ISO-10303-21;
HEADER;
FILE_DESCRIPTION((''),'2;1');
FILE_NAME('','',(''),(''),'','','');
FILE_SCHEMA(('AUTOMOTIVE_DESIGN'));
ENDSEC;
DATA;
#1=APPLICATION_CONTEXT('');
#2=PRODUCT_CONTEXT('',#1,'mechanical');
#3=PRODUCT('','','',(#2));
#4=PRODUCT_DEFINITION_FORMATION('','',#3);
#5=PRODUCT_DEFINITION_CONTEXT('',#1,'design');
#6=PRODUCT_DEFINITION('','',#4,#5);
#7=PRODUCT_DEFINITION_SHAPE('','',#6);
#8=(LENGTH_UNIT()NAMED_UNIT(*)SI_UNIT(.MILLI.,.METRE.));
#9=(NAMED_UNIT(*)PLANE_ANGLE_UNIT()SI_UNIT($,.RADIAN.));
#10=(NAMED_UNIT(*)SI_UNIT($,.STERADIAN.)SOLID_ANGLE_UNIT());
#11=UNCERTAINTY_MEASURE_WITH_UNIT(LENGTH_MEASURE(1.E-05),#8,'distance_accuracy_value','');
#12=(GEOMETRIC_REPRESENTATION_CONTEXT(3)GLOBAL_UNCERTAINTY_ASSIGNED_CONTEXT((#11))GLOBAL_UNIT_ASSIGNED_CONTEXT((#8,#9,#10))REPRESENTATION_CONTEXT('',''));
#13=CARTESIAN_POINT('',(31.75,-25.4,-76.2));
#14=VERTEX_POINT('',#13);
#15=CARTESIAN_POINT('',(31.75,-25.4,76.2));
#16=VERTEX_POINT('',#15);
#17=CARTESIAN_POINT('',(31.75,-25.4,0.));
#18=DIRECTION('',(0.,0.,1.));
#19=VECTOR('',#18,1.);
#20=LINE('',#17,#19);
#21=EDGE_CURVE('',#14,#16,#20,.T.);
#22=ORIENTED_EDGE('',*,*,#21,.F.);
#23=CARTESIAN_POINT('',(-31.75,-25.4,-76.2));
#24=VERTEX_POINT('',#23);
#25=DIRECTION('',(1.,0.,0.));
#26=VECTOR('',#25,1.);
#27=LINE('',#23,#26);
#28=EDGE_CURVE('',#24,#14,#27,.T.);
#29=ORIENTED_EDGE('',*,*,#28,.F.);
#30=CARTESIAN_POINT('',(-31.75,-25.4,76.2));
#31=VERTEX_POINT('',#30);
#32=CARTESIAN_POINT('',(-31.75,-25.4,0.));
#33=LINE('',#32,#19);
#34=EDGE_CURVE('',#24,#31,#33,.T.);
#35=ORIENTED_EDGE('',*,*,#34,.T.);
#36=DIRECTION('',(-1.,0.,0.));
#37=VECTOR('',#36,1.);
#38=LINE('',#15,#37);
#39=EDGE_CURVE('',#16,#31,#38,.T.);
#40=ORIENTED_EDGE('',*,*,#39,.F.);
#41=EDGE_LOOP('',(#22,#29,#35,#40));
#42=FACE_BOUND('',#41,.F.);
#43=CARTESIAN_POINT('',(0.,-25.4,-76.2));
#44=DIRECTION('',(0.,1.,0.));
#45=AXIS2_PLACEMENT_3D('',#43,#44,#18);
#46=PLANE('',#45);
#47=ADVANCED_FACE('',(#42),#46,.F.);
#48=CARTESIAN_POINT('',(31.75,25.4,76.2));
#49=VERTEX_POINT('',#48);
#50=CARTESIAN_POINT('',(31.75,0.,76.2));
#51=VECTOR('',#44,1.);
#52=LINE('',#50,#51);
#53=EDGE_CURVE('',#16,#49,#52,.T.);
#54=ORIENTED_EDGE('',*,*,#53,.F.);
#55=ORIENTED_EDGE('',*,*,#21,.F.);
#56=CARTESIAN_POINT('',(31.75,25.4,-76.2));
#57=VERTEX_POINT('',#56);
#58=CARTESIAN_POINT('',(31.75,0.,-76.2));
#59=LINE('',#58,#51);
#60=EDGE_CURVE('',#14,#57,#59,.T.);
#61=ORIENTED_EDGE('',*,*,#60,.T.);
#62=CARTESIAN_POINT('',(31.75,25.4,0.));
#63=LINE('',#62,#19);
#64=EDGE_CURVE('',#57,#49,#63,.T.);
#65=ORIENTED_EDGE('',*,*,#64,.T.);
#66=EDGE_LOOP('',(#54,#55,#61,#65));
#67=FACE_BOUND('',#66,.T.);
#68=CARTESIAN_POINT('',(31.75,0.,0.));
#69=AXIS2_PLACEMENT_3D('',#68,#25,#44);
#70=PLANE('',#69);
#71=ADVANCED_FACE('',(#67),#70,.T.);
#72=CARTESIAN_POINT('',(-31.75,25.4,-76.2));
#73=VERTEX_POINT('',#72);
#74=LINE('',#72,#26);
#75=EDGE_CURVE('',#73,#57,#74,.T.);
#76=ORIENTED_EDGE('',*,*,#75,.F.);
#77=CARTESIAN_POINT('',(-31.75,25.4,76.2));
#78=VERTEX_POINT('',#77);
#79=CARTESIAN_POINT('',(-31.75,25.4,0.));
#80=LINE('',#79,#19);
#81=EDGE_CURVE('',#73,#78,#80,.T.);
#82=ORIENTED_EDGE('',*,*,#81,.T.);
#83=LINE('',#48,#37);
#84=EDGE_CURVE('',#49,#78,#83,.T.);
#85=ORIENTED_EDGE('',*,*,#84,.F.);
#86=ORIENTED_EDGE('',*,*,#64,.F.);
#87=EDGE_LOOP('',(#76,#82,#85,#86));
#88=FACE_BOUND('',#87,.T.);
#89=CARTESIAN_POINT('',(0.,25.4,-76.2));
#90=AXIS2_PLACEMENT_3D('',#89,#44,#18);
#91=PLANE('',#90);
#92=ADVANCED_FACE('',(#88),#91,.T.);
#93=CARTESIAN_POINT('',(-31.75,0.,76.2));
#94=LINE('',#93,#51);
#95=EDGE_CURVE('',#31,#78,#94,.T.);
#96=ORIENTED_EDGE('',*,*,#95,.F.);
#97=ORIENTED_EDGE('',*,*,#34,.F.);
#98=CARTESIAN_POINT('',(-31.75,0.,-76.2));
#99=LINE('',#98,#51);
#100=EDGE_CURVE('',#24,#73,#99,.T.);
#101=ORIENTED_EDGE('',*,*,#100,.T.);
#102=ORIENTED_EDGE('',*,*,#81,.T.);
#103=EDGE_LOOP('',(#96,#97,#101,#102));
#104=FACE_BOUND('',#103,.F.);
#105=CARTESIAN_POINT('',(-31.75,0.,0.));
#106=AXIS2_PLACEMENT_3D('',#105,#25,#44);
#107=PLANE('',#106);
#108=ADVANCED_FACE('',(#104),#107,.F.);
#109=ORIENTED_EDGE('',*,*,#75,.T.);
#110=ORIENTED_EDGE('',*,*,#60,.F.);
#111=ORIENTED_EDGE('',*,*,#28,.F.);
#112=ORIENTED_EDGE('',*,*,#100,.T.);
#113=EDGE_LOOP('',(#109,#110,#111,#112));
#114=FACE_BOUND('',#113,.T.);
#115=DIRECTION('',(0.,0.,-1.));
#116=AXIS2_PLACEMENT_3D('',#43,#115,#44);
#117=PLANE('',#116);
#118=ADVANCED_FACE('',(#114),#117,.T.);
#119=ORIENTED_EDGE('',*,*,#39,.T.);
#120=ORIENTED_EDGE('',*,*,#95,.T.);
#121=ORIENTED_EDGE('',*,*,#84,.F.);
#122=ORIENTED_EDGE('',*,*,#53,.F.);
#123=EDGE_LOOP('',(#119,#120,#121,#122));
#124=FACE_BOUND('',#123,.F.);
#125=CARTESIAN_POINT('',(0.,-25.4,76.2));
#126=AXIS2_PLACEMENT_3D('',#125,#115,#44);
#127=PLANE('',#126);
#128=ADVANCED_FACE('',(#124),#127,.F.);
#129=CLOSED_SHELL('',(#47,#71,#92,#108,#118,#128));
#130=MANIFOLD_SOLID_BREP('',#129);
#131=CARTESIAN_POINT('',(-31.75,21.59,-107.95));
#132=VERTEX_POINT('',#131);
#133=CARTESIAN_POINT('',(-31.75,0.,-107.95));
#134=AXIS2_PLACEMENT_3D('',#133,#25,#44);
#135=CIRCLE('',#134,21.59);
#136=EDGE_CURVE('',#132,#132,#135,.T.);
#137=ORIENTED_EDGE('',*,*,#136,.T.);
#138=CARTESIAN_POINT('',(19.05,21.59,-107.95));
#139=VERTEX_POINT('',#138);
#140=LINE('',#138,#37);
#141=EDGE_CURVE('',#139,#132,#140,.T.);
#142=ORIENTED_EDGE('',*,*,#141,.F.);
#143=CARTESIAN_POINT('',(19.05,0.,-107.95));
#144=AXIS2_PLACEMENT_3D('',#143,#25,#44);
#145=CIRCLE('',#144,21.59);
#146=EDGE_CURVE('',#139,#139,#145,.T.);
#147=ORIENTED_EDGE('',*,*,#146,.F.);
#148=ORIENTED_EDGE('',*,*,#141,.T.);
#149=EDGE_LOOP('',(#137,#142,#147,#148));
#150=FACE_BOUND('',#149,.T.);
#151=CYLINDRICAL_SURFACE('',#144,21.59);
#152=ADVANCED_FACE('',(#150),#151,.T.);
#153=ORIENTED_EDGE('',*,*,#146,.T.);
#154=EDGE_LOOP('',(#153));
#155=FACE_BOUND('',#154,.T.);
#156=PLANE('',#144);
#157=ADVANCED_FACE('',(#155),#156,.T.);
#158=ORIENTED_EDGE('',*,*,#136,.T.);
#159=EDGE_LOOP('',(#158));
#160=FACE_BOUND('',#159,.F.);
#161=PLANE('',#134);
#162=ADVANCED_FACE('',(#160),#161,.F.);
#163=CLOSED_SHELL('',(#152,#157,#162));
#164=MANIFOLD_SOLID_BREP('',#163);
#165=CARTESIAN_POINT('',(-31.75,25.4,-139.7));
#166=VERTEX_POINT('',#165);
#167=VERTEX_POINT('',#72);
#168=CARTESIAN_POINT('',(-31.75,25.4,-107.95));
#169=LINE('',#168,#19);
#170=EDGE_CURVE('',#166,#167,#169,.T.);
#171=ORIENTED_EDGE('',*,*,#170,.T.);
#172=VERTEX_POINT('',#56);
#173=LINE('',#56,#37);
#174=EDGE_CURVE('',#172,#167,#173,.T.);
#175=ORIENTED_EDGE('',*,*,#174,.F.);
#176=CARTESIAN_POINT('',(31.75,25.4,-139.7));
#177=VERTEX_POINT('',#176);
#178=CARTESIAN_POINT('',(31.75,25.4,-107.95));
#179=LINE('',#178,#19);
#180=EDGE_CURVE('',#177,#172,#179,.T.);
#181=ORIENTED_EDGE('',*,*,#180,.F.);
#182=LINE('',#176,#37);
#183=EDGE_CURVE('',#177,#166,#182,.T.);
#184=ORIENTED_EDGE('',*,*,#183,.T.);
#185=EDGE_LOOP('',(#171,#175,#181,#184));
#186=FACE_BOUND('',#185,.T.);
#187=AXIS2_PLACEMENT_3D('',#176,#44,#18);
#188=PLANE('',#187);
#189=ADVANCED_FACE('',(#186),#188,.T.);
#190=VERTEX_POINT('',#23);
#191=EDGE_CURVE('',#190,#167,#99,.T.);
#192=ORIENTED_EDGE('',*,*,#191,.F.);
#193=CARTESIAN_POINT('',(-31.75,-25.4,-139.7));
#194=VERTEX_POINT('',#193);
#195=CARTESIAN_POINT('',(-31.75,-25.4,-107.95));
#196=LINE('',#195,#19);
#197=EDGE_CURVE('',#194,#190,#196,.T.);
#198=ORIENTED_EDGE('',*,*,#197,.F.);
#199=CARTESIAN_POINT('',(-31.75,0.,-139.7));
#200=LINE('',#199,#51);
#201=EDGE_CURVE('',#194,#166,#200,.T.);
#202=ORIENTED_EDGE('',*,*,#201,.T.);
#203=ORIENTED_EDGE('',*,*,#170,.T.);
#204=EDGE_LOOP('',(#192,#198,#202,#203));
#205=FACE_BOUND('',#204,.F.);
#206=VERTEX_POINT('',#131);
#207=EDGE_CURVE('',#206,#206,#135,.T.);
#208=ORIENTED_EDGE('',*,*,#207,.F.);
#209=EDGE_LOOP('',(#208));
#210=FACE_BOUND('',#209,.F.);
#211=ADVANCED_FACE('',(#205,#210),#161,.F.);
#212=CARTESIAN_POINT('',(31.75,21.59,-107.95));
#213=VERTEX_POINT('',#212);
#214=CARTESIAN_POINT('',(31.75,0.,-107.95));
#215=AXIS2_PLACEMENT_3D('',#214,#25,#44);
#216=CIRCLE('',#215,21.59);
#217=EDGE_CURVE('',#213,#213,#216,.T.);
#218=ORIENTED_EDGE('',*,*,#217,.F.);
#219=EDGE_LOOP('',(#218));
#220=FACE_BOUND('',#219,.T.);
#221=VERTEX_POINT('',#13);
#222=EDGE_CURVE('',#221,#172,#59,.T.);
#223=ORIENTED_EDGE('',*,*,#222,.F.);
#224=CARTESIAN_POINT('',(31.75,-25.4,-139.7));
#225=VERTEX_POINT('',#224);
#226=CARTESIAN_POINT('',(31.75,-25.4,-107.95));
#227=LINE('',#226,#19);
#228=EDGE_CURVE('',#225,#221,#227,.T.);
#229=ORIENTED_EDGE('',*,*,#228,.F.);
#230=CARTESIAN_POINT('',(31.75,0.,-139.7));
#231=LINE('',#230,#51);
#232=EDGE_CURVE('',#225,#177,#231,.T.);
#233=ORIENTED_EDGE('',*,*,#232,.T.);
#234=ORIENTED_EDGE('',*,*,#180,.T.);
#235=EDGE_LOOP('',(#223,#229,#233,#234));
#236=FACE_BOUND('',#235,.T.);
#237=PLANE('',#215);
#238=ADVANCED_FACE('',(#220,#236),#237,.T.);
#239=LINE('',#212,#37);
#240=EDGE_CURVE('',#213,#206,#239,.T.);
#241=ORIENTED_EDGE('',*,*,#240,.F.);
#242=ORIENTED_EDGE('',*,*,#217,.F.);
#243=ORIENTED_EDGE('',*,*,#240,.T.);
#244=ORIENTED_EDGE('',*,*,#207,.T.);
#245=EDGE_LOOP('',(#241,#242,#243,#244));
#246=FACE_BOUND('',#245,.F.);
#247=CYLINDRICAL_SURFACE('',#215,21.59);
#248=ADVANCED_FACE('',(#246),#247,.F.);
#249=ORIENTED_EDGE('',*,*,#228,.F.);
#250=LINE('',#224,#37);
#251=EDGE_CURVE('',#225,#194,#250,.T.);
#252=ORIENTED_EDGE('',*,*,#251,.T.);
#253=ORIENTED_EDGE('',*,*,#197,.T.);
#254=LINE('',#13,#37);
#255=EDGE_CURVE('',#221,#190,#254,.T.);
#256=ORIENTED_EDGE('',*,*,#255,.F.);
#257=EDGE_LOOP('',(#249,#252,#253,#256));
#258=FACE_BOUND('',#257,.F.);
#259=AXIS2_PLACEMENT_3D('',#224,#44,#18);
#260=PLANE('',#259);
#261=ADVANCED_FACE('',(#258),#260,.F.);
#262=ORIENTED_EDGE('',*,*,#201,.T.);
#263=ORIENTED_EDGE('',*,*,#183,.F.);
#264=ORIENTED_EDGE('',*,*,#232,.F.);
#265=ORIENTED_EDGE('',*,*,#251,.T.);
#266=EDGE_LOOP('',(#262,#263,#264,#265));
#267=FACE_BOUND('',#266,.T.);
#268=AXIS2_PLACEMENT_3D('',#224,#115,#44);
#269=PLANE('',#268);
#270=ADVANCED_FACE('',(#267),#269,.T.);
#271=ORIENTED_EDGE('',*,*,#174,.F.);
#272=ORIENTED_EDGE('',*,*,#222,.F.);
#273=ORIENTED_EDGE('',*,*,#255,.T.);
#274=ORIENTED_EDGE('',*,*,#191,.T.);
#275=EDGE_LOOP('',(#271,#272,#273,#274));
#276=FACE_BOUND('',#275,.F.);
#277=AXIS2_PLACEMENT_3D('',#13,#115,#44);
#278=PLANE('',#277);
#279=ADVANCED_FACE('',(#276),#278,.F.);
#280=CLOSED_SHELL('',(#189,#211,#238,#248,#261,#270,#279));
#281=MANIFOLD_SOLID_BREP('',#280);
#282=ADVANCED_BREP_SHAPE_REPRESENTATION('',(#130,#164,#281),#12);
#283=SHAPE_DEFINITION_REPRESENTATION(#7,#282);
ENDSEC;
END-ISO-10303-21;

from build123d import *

# Parameters (mm, degrees)
F0_W     = 50.8
F0_H     = 152.4
F1_DEPTH = 31.75
F2_W     = 50.8
F2_H     = 63.5
F2_R     = 21.59
F3_DEPTH = 63.5
F5_START = -12.7
F4_R     = 21.59
F5_DEPTH = 50.8


with BuildPart() as f1:
    # F0 (on Right) → F1 (new body, symmetric)
    with BuildSketch(Plane.YZ):
        Rectangle(F0_W, F0_H)
    extrude(amount=F1_DEPTH, both=True)


with BuildPart() as f3:
    # F2 (on face) → F3 (new body)
    with BuildSketch(Plane.YZ.offset(31.75)):
        with Locations((0, -107.95)):
            Rectangle(F2_W, F2_H)
        with Locations((0, -107.95)):
            Circle(F2_R, mode=Mode.SUBTRACT)
    extrude(amount=-F3_DEPTH)


with BuildPart() as f5:
    # F4 (on face) → F5 (new body)
    with BuildSketch(Plane.YZ.offset(31.75).offset(F5_START)):
        with Locations((0, -107.95)):
            Circle(F4_R)
    extrude(amount=-F5_DEPTH)


solid = Compound([f1.part, f3.part, f5.part])
